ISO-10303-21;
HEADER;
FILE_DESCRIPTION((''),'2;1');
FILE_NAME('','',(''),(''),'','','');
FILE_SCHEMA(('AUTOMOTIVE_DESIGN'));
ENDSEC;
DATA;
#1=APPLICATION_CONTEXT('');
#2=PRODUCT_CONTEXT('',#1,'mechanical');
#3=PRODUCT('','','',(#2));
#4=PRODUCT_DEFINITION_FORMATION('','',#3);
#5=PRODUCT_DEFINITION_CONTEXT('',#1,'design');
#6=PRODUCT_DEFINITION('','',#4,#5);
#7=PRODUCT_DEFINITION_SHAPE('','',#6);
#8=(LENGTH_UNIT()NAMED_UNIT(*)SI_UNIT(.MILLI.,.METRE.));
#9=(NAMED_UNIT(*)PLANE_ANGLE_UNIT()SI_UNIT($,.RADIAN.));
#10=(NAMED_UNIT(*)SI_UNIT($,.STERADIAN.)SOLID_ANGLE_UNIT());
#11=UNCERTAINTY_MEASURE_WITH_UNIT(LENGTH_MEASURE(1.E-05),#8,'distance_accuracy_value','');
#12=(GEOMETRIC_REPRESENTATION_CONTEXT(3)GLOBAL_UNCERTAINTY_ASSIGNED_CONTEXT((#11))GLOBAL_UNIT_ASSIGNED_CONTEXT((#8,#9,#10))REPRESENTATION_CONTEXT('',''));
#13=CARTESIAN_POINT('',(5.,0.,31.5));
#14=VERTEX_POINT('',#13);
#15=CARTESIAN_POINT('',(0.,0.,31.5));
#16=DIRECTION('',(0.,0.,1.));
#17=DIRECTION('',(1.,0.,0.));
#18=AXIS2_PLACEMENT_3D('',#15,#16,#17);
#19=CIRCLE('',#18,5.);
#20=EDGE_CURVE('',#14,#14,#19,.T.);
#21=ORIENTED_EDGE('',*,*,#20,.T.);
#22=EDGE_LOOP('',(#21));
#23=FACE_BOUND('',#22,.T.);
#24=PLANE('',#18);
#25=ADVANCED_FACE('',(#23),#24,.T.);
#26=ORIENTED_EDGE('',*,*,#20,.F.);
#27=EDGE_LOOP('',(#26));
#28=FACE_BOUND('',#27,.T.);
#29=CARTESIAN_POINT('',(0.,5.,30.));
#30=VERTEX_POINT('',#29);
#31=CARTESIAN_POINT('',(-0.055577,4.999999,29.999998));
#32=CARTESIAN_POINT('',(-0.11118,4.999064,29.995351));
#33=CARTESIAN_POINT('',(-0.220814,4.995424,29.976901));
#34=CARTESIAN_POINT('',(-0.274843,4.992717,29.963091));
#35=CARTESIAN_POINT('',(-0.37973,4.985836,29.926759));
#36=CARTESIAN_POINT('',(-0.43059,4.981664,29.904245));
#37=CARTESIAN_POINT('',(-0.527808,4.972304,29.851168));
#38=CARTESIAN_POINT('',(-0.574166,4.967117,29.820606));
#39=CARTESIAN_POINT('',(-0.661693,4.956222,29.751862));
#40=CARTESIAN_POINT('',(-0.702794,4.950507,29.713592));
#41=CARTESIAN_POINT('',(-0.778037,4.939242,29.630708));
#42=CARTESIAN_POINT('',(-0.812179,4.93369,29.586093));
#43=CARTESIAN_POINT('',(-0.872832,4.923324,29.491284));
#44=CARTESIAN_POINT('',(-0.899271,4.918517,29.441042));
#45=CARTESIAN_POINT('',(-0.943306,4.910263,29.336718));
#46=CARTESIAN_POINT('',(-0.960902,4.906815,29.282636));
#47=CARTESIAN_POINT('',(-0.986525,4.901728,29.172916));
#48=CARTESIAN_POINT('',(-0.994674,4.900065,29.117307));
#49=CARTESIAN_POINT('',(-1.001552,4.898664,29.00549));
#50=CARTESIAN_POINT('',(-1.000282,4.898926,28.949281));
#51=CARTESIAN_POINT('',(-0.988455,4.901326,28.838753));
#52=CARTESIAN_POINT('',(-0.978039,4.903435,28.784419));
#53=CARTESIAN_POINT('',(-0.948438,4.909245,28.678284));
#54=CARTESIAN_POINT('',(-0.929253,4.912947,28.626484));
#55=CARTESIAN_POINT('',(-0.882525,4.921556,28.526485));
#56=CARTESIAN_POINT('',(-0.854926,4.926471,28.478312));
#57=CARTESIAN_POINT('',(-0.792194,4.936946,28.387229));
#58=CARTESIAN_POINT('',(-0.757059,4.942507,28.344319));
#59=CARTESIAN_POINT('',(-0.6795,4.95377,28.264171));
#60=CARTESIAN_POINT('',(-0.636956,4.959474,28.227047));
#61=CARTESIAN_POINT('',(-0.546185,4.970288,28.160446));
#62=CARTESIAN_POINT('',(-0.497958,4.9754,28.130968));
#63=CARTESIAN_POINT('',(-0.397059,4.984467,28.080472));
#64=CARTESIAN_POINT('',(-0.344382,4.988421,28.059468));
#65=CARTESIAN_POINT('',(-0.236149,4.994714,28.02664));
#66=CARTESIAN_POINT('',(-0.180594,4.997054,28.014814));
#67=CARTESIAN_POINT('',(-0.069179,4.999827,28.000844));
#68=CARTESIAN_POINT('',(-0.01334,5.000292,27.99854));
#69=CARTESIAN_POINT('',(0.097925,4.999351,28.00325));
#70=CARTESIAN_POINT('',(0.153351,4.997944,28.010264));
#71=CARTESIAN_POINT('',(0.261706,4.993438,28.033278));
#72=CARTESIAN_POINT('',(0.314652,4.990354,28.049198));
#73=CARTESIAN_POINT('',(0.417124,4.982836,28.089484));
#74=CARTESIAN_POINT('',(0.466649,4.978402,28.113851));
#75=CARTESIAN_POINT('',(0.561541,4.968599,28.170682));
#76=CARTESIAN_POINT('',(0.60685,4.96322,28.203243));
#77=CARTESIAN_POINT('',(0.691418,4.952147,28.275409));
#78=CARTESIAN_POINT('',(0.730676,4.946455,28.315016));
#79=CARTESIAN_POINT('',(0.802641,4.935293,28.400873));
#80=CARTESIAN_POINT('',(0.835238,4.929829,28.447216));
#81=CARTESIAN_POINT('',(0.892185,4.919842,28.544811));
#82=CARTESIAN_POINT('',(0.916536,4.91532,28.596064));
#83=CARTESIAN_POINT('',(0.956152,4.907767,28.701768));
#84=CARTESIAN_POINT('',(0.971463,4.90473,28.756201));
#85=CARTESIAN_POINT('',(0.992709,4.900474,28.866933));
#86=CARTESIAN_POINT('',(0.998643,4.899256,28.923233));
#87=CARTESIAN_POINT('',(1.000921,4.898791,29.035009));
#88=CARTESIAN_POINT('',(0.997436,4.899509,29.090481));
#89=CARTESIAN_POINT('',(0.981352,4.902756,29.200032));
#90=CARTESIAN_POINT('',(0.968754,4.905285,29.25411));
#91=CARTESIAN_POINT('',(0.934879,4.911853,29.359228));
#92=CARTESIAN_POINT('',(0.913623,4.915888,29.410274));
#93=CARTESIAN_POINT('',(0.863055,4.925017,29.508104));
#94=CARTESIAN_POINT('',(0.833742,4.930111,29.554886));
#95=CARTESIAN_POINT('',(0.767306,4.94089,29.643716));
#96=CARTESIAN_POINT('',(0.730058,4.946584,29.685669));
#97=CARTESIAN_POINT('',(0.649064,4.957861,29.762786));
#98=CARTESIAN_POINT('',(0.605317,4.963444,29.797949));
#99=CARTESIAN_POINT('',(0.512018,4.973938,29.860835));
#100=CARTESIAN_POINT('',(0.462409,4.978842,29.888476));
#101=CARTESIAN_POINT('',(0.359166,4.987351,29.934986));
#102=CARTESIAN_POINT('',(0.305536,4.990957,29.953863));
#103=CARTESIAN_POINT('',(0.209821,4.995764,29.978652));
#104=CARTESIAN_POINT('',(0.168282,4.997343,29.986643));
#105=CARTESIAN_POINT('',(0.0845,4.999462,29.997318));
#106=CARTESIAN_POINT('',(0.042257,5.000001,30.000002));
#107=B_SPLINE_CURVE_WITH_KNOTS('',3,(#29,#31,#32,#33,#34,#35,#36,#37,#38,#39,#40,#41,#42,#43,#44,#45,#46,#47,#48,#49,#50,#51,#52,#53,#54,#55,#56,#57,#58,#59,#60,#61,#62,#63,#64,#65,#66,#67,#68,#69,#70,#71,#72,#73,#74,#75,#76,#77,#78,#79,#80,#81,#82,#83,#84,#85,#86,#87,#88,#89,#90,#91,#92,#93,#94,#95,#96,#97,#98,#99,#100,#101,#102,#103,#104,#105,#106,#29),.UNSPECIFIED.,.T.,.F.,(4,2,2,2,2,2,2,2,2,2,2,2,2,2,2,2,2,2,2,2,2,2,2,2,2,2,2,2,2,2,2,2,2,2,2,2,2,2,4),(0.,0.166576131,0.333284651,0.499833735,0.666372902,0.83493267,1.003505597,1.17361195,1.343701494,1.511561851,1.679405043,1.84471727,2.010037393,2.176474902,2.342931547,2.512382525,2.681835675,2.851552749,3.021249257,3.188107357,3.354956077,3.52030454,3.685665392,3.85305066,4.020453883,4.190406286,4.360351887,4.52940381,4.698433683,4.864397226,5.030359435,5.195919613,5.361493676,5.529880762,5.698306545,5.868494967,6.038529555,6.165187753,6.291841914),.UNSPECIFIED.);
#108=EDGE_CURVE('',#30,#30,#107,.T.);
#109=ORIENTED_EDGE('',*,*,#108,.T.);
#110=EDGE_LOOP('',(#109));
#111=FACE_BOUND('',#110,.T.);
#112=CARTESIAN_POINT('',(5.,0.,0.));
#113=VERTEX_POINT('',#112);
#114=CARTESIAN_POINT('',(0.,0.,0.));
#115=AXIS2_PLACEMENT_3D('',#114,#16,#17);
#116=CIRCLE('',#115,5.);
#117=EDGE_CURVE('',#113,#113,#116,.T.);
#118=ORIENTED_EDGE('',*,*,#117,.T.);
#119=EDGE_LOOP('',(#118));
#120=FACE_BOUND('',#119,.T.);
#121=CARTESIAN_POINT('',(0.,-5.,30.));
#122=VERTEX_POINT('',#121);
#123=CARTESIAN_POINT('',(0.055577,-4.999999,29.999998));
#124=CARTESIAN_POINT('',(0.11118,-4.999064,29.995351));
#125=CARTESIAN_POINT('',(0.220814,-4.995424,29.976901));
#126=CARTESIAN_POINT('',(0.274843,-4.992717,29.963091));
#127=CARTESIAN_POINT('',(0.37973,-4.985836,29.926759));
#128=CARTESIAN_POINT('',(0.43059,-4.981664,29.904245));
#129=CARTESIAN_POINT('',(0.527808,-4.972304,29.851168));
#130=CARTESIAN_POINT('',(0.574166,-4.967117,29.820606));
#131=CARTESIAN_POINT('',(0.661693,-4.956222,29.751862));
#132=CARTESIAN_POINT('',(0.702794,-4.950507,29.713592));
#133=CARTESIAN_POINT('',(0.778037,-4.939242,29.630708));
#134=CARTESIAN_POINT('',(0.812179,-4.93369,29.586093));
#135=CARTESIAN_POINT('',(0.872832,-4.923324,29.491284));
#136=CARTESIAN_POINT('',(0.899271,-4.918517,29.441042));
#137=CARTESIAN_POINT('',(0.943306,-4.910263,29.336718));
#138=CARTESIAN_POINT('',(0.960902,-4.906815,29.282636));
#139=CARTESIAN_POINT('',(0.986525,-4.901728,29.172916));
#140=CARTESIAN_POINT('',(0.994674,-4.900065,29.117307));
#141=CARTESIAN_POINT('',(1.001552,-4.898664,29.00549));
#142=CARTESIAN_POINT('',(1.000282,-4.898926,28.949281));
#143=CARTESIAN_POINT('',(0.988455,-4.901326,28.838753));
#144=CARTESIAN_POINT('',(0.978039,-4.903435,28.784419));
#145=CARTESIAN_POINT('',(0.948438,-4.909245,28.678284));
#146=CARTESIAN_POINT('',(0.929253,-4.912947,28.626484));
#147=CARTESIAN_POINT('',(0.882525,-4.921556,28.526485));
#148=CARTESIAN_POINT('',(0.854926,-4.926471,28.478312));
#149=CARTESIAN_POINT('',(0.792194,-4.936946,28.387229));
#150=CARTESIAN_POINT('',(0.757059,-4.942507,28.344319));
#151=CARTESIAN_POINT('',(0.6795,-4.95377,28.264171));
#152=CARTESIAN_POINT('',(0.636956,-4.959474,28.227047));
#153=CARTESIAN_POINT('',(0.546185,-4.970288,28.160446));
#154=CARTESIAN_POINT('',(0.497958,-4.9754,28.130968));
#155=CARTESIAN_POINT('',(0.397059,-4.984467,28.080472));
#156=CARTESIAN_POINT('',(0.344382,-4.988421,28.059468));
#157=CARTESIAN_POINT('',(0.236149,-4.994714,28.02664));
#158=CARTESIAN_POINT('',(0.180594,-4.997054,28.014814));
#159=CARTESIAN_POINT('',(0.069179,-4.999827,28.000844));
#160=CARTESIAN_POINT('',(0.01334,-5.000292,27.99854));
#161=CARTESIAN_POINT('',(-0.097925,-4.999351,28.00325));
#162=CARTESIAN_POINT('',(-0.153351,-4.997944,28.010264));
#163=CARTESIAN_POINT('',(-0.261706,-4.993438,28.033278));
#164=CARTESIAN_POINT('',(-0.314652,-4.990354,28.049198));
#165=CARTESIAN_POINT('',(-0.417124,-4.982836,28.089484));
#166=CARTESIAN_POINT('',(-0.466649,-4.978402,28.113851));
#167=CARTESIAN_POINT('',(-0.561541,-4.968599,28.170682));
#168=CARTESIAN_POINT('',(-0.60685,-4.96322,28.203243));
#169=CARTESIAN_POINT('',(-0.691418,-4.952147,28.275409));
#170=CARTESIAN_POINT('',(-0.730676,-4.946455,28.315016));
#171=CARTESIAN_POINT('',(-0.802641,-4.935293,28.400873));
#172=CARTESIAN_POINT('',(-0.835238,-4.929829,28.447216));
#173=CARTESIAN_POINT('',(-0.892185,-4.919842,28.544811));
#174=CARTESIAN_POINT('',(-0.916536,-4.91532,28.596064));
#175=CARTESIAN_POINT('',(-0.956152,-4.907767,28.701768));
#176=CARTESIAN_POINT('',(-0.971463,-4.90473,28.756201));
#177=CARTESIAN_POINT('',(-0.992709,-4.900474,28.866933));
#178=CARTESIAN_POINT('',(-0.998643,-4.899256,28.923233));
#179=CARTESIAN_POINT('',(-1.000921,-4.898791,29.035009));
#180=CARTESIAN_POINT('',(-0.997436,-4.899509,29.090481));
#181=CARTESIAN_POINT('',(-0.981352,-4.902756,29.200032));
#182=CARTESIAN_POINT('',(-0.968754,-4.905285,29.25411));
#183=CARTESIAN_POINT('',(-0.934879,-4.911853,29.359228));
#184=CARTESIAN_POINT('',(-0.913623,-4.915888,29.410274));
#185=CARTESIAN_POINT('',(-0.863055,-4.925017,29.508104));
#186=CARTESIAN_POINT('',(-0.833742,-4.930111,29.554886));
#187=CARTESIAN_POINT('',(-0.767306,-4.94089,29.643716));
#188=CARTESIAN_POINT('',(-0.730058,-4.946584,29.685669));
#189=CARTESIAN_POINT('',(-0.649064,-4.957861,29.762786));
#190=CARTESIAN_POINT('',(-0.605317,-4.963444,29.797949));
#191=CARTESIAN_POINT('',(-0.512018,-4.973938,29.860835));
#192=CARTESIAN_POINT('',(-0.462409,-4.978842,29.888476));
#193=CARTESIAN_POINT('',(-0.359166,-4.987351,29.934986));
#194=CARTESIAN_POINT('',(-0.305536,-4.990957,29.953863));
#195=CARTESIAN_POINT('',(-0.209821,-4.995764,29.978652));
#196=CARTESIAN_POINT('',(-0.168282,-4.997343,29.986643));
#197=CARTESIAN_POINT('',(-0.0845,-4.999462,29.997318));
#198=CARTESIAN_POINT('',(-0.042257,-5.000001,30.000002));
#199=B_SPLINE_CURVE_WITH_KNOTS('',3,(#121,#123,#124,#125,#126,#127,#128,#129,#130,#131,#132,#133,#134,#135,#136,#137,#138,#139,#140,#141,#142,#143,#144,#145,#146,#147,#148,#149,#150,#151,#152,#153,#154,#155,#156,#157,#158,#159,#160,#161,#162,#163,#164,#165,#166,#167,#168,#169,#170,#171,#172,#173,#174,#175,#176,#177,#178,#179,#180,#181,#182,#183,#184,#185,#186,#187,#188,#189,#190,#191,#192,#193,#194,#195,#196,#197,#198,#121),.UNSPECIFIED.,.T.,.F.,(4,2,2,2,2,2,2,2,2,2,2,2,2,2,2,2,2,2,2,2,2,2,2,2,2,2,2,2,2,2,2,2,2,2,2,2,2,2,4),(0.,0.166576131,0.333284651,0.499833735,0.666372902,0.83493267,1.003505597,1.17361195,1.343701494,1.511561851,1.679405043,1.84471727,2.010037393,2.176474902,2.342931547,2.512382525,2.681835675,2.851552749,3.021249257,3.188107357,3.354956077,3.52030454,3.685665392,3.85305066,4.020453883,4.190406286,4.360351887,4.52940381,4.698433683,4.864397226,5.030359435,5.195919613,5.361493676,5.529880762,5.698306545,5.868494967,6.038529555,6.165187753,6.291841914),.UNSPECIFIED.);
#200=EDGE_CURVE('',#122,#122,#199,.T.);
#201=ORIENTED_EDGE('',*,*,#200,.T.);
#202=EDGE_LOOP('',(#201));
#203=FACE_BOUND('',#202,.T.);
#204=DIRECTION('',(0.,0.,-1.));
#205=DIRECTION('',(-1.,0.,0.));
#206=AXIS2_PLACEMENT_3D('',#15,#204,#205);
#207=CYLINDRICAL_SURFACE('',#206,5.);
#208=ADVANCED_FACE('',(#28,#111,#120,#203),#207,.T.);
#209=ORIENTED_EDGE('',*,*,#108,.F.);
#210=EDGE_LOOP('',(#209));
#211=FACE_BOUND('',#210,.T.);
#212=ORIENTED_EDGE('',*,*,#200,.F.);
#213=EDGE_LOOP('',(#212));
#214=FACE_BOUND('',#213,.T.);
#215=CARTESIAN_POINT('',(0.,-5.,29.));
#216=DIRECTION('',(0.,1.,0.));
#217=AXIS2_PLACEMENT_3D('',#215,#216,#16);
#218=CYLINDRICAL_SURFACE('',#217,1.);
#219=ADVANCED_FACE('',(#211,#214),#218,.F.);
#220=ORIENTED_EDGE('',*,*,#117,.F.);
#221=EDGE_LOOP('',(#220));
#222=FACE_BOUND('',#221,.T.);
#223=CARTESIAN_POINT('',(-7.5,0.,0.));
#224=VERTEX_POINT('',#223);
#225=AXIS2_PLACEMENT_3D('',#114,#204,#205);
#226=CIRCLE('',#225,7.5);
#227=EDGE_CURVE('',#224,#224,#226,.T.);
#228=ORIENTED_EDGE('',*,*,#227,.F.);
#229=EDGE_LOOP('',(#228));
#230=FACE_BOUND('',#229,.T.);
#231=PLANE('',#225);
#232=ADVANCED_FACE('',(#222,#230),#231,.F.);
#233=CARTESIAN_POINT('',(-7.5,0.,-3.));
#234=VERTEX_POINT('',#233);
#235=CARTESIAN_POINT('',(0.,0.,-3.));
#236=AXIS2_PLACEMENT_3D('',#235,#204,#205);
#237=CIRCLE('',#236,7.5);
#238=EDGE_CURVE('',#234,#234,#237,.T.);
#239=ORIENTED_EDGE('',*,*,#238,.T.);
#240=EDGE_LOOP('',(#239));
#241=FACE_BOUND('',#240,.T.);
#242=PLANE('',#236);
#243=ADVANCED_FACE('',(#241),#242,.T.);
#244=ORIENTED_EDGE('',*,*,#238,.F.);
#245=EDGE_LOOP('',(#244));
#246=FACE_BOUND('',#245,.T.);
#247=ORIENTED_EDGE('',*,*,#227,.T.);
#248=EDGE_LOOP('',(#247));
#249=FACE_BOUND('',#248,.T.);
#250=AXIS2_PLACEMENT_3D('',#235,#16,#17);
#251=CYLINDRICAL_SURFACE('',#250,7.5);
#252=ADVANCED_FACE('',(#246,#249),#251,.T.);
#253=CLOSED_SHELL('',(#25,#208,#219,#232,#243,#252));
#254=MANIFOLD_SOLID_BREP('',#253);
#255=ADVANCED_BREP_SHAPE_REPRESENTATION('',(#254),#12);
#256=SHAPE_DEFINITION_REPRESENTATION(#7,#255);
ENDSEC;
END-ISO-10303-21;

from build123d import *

# Parameters (mm, degrees)
SKETCH1_R           = 5
BOSS_EXTRUDE1_DEPTH = 31.5
SKETCH2_R           = 1
CUT_EXTRUDE1_DEPTH  = 5
SKETCH3_R           = 7.5
BOSS_EXTRUDE2_DEPTH = 3


with BuildPart() as part:
    # Sketch1 → Boss-Extrude1 (new body)
    with BuildSketch(Plane.XY):
        Circle(SKETCH1_R)
    extrude(amount=BOSS_EXTRUDE1_DEPTH)

    # Sketch2 → Cut-Extrude1 (cut, symmetric)
    with BuildSketch(Plane(origin=(0, 0, 0), x_dir=(1, 0, 0), z_dir=(0, 1, 0))):
        with Locations(Location((0, -29, 0), (0, 0, 270))):
            Circle(SKETCH2_R)
    extrude(amount=CUT_EXTRUDE1_DEPTH, both=True, mode=Mode.SUBTRACT)

    # Sketch3 → Boss-Extrude2 (add)
    with BuildSketch(Plane(origin=(0, 0, 0), x_dir=(-1, 0, 0), z_dir=(0, 0, -1))):
        Circle(SKETCH3_R)
    extrude(amount=BOSS_EXTRUDE2_DEPTH)


solid = part.part
